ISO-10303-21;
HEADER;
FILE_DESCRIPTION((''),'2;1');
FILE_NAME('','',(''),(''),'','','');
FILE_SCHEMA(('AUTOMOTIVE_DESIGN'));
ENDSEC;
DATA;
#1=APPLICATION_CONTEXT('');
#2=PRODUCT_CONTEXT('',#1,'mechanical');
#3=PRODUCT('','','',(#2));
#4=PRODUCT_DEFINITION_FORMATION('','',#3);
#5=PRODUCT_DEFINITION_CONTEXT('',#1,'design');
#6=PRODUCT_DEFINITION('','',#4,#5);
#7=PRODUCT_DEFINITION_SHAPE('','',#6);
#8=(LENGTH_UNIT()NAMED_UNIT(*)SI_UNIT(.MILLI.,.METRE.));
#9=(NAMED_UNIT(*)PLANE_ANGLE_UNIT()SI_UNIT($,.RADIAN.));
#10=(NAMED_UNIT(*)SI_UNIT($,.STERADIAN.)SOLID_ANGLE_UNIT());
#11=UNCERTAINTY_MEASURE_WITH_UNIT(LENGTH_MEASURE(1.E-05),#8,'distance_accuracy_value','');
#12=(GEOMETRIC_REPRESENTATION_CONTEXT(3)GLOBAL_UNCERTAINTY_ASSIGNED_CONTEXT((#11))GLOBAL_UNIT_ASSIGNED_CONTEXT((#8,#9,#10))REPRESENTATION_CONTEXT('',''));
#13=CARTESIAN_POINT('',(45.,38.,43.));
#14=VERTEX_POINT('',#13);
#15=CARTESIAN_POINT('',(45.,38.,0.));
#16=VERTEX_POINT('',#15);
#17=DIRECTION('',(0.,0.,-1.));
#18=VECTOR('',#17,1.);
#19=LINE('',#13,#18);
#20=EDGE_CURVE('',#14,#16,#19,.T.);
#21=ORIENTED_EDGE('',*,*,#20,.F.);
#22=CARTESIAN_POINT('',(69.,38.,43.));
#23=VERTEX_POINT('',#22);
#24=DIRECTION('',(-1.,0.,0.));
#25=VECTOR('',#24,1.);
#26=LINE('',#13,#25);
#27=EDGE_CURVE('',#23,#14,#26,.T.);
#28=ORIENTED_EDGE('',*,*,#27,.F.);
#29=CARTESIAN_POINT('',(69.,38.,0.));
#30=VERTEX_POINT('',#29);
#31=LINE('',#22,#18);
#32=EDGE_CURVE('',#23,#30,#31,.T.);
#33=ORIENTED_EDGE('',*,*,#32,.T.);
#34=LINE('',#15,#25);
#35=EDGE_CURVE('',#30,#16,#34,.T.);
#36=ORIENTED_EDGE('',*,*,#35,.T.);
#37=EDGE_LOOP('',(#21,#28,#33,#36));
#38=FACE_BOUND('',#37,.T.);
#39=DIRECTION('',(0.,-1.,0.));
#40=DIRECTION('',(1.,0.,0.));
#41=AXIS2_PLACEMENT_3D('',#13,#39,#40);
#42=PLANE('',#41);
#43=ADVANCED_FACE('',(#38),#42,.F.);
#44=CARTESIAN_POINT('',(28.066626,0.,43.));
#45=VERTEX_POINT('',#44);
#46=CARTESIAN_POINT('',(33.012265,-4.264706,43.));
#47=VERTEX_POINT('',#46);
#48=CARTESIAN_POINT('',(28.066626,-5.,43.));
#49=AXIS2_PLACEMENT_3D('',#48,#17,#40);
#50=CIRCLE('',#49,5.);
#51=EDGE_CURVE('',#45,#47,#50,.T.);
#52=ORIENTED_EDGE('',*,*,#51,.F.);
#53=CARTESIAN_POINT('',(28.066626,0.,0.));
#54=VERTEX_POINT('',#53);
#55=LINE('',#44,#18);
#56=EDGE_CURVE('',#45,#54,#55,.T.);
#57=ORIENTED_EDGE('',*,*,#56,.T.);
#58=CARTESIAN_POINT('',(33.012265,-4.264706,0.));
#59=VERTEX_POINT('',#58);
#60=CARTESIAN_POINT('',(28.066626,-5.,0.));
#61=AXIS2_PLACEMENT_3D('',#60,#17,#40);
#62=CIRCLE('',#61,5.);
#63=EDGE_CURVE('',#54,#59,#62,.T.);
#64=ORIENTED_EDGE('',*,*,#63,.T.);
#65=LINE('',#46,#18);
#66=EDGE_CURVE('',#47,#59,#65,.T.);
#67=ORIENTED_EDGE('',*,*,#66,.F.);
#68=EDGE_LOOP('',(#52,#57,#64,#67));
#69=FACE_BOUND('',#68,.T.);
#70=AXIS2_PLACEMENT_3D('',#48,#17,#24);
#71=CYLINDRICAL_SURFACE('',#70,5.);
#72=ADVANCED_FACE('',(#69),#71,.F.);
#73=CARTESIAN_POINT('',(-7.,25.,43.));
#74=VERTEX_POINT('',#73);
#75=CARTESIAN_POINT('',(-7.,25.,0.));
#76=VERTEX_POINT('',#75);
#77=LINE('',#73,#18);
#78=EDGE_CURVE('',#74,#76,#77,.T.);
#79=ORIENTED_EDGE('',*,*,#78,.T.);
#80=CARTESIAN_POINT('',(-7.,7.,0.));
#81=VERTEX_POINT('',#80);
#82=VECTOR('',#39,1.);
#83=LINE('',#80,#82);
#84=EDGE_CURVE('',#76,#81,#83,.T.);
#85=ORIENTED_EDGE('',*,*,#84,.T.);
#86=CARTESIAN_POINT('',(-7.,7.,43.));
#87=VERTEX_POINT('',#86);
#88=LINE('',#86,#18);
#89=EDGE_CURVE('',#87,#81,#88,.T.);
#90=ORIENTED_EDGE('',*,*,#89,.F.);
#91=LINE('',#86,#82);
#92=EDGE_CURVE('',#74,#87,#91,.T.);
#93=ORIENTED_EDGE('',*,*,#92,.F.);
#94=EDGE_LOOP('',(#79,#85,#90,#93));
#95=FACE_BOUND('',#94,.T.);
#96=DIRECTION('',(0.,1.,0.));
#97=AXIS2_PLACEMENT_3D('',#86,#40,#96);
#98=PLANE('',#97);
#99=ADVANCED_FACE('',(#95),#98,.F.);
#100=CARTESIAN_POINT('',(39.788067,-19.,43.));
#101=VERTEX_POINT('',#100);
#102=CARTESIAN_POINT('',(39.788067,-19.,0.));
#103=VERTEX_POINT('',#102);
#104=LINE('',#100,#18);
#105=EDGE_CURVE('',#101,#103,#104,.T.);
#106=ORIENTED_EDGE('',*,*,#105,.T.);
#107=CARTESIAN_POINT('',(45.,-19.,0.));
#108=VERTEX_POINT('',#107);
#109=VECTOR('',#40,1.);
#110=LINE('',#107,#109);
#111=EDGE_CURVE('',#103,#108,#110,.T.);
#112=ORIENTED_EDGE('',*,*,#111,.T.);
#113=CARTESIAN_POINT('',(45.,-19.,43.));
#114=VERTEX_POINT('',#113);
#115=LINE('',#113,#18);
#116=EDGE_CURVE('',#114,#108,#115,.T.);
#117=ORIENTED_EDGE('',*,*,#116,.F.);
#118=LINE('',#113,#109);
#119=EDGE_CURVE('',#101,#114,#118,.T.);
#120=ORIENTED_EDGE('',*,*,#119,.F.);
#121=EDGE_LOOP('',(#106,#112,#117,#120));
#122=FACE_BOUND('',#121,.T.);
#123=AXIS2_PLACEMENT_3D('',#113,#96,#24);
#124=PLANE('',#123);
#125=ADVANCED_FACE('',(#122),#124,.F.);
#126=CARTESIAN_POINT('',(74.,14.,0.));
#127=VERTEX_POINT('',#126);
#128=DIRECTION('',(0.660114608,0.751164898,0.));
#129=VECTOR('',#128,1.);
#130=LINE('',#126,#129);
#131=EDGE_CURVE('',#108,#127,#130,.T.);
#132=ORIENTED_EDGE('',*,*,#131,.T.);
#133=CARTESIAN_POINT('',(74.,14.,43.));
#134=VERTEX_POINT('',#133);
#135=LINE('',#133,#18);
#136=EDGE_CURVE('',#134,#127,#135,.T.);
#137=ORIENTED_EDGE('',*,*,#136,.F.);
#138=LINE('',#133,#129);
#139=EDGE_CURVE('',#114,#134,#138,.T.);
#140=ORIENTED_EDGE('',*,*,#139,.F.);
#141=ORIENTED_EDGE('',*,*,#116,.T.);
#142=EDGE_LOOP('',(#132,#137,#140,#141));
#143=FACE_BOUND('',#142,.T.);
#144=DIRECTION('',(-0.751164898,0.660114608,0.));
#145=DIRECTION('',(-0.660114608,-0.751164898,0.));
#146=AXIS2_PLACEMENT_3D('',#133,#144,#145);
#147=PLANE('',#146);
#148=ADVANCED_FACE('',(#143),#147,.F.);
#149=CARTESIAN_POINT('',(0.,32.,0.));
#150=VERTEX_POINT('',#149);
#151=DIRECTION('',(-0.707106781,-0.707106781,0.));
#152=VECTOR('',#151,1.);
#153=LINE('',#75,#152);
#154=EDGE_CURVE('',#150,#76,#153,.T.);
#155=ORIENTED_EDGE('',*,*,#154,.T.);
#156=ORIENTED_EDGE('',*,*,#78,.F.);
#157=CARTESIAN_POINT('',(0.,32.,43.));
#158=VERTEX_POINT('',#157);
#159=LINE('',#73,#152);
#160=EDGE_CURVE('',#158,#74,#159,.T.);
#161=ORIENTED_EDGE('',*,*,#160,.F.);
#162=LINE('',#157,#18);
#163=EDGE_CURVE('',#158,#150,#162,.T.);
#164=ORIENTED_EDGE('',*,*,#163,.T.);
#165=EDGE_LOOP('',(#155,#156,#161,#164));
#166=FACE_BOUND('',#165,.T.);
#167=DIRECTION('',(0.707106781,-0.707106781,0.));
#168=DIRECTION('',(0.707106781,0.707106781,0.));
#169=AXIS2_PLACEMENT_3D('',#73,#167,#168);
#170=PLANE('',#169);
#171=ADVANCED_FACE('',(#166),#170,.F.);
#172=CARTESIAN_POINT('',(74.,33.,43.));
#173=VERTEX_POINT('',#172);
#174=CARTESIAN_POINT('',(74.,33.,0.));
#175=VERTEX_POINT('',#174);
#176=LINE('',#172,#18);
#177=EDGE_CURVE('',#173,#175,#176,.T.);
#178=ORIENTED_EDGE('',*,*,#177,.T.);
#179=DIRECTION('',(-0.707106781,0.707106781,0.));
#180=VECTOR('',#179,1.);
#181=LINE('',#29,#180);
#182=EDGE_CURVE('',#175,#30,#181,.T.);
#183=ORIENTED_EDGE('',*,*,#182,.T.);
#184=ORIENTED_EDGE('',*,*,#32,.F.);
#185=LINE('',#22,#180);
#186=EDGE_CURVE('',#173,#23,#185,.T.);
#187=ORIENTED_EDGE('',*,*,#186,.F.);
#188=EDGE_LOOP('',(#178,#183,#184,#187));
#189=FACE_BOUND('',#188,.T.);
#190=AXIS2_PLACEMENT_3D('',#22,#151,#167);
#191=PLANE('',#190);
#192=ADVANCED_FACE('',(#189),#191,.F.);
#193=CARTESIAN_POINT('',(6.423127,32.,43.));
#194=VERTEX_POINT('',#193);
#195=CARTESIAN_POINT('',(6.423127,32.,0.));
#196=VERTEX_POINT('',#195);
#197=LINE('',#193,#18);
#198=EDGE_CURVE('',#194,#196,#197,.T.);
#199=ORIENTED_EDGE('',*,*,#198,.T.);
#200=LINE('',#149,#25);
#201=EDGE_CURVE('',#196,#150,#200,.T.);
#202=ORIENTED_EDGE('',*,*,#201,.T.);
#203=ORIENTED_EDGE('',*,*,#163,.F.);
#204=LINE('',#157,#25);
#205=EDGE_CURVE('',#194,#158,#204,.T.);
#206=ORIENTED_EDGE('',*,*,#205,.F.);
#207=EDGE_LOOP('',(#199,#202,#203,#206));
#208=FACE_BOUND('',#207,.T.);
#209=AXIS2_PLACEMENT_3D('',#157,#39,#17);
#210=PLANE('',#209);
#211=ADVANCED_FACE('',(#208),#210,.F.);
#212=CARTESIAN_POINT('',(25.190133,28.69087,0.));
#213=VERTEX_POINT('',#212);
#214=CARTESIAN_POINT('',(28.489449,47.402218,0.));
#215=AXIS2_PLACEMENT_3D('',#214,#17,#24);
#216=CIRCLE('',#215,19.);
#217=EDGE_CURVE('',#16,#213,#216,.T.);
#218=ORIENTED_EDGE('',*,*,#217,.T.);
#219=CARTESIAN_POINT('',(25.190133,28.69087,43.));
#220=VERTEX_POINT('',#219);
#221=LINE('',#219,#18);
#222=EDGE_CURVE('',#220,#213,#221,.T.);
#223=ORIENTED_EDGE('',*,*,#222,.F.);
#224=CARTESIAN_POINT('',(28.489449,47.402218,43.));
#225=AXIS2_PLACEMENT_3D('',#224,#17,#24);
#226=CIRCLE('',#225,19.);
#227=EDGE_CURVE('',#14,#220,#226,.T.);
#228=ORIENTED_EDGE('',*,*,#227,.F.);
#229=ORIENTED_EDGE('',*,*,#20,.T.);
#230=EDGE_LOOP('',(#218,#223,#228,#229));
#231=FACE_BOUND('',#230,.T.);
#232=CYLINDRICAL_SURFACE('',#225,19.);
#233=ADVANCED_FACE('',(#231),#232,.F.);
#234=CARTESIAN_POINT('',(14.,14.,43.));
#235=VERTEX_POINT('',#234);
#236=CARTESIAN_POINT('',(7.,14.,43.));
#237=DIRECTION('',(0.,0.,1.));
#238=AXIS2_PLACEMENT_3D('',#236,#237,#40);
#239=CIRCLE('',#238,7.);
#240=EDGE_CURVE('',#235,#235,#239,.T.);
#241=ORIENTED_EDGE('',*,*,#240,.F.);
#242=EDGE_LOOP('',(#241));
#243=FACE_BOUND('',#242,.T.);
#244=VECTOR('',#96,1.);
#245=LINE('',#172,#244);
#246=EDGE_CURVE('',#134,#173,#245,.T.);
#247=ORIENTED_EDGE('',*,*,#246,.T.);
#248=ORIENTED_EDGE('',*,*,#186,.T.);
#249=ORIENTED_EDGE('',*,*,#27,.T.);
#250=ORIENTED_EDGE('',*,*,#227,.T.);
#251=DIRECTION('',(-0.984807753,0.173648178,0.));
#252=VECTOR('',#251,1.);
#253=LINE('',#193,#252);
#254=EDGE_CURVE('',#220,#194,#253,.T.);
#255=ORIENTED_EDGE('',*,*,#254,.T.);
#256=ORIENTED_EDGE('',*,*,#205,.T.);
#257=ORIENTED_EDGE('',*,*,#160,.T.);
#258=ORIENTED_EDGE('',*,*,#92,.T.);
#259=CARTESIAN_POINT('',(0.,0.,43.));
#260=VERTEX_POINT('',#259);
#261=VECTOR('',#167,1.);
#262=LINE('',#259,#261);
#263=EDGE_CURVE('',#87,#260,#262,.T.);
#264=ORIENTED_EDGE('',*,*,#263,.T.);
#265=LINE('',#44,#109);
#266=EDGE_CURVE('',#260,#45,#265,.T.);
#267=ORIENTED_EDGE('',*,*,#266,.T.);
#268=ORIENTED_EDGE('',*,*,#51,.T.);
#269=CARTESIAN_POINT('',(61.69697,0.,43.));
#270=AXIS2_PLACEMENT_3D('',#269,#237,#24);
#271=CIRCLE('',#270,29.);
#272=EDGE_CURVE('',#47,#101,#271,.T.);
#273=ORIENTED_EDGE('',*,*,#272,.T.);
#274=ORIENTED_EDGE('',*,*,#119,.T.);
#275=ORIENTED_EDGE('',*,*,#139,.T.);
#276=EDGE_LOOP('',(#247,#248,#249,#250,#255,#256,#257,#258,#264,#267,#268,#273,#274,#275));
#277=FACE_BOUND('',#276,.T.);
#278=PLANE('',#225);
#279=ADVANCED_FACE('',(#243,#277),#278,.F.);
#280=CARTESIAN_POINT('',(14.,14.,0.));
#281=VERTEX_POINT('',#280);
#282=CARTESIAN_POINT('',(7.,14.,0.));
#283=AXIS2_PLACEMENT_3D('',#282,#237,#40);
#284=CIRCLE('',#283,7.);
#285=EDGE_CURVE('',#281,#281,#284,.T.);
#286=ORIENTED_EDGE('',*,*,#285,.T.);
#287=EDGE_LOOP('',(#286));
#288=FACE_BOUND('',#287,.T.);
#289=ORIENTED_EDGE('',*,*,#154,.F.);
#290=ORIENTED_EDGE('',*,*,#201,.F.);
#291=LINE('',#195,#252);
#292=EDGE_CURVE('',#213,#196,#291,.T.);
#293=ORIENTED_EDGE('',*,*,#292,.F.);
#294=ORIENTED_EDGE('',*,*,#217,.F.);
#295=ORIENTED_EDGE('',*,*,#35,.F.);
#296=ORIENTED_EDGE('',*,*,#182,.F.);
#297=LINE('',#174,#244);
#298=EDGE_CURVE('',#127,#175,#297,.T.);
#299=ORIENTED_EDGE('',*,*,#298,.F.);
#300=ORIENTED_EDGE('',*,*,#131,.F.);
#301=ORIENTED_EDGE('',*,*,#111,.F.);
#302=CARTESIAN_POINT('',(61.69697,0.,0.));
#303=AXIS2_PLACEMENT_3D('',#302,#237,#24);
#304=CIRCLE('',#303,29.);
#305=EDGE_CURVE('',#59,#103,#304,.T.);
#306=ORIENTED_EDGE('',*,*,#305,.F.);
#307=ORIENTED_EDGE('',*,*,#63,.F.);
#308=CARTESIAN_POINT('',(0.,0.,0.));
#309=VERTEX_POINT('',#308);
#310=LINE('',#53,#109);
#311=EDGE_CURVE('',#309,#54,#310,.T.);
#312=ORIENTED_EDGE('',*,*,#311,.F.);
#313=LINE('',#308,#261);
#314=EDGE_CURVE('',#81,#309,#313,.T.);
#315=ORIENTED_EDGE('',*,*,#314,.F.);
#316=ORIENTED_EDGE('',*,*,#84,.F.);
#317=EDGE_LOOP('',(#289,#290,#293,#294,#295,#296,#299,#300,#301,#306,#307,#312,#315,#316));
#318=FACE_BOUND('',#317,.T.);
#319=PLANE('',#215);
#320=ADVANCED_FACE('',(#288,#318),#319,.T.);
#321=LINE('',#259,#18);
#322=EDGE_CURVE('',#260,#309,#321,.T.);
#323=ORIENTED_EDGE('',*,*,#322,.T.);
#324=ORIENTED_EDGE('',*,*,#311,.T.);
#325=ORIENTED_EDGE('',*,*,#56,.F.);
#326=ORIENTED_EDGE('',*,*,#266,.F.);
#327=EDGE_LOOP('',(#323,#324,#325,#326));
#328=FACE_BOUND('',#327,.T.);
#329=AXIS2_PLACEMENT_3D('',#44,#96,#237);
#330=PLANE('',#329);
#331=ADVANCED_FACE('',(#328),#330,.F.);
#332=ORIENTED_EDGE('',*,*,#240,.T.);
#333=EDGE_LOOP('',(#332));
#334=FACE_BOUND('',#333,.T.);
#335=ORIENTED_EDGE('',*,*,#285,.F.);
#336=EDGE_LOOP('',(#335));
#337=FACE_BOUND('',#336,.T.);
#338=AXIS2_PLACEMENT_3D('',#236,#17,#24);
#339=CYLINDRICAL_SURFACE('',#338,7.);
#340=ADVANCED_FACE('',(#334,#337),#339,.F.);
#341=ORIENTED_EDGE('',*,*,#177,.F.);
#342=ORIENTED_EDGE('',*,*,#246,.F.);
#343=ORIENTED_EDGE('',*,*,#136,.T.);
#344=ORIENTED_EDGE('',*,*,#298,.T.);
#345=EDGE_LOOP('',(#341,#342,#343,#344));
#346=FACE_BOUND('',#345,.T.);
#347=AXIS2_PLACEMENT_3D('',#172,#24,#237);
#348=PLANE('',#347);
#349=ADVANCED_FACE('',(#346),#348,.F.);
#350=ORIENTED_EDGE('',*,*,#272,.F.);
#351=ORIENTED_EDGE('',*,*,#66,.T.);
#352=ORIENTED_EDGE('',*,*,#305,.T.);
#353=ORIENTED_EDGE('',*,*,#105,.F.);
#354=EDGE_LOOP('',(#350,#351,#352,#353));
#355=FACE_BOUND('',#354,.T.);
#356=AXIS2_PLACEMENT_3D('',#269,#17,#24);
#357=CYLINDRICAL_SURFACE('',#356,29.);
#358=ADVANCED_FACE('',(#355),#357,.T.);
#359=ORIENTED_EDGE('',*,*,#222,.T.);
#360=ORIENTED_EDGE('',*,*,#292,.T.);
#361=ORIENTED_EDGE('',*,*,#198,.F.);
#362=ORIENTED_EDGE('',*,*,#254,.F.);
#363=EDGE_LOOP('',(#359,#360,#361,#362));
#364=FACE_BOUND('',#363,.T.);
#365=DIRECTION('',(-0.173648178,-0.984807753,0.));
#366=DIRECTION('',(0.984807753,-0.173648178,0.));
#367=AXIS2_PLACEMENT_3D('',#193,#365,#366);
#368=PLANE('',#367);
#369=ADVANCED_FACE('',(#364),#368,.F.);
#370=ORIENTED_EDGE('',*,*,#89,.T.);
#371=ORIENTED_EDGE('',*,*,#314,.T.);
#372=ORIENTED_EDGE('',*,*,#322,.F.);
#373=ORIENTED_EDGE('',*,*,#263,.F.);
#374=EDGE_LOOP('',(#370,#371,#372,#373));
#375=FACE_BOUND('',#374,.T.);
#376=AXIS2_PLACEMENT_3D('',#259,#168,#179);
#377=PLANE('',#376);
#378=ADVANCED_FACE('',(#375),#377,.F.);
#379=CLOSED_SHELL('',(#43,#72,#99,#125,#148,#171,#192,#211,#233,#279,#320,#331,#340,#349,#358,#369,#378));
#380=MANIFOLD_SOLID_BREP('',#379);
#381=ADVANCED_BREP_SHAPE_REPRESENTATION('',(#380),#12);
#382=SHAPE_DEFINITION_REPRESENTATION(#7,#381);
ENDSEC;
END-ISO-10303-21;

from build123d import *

# Parameters (mm, degrees)
SKETCH1_R           = 7
BOSS_EXTRUDE1_DEPTH = 43


with BuildPart() as part:
    # Sketch1 → Boss-Extrude1 (new body)
    with BuildSketch(Plane.XY):
        with BuildLine():
            Line((0, 0), (-7, 7))
            Line((-7, 7), (-7, 25))
            Line((-7, 25), (0, 32))
            Line((0, 32), (6.423127039, 32))
            Line((6.423127039, 32), (25.190133404, 28.690870431))
            ThreePointArc((25.190133404, 28.690870431), (36.570238436, 30.206263605), (45, 38))
            Line((45, 38), (69, 38))
            Line((69, 38), (74, 33))
            Line((74, 33), (74, 14))
            Line((74, 14), (45, -19))
            Line((45, -19), (39.788067397, -19))
            ThreePointArc((39.788067397, -19), (35.3490952, -12.115672061), (33.012264997, -4.264705882))
            ThreePointArc((33.012264997, -4.264705882), (31.331862036, -1.213413768), (28.066626255, 0))
            Line((28.066626255, 0), (0, 0))
        make_face()
        with Locations((7, 14)):
            Circle(SKETCH1_R, mode=Mode.SUBTRACT)
    extrude(amount=BOSS_EXTRUDE1_DEPTH)


solid = part.part
